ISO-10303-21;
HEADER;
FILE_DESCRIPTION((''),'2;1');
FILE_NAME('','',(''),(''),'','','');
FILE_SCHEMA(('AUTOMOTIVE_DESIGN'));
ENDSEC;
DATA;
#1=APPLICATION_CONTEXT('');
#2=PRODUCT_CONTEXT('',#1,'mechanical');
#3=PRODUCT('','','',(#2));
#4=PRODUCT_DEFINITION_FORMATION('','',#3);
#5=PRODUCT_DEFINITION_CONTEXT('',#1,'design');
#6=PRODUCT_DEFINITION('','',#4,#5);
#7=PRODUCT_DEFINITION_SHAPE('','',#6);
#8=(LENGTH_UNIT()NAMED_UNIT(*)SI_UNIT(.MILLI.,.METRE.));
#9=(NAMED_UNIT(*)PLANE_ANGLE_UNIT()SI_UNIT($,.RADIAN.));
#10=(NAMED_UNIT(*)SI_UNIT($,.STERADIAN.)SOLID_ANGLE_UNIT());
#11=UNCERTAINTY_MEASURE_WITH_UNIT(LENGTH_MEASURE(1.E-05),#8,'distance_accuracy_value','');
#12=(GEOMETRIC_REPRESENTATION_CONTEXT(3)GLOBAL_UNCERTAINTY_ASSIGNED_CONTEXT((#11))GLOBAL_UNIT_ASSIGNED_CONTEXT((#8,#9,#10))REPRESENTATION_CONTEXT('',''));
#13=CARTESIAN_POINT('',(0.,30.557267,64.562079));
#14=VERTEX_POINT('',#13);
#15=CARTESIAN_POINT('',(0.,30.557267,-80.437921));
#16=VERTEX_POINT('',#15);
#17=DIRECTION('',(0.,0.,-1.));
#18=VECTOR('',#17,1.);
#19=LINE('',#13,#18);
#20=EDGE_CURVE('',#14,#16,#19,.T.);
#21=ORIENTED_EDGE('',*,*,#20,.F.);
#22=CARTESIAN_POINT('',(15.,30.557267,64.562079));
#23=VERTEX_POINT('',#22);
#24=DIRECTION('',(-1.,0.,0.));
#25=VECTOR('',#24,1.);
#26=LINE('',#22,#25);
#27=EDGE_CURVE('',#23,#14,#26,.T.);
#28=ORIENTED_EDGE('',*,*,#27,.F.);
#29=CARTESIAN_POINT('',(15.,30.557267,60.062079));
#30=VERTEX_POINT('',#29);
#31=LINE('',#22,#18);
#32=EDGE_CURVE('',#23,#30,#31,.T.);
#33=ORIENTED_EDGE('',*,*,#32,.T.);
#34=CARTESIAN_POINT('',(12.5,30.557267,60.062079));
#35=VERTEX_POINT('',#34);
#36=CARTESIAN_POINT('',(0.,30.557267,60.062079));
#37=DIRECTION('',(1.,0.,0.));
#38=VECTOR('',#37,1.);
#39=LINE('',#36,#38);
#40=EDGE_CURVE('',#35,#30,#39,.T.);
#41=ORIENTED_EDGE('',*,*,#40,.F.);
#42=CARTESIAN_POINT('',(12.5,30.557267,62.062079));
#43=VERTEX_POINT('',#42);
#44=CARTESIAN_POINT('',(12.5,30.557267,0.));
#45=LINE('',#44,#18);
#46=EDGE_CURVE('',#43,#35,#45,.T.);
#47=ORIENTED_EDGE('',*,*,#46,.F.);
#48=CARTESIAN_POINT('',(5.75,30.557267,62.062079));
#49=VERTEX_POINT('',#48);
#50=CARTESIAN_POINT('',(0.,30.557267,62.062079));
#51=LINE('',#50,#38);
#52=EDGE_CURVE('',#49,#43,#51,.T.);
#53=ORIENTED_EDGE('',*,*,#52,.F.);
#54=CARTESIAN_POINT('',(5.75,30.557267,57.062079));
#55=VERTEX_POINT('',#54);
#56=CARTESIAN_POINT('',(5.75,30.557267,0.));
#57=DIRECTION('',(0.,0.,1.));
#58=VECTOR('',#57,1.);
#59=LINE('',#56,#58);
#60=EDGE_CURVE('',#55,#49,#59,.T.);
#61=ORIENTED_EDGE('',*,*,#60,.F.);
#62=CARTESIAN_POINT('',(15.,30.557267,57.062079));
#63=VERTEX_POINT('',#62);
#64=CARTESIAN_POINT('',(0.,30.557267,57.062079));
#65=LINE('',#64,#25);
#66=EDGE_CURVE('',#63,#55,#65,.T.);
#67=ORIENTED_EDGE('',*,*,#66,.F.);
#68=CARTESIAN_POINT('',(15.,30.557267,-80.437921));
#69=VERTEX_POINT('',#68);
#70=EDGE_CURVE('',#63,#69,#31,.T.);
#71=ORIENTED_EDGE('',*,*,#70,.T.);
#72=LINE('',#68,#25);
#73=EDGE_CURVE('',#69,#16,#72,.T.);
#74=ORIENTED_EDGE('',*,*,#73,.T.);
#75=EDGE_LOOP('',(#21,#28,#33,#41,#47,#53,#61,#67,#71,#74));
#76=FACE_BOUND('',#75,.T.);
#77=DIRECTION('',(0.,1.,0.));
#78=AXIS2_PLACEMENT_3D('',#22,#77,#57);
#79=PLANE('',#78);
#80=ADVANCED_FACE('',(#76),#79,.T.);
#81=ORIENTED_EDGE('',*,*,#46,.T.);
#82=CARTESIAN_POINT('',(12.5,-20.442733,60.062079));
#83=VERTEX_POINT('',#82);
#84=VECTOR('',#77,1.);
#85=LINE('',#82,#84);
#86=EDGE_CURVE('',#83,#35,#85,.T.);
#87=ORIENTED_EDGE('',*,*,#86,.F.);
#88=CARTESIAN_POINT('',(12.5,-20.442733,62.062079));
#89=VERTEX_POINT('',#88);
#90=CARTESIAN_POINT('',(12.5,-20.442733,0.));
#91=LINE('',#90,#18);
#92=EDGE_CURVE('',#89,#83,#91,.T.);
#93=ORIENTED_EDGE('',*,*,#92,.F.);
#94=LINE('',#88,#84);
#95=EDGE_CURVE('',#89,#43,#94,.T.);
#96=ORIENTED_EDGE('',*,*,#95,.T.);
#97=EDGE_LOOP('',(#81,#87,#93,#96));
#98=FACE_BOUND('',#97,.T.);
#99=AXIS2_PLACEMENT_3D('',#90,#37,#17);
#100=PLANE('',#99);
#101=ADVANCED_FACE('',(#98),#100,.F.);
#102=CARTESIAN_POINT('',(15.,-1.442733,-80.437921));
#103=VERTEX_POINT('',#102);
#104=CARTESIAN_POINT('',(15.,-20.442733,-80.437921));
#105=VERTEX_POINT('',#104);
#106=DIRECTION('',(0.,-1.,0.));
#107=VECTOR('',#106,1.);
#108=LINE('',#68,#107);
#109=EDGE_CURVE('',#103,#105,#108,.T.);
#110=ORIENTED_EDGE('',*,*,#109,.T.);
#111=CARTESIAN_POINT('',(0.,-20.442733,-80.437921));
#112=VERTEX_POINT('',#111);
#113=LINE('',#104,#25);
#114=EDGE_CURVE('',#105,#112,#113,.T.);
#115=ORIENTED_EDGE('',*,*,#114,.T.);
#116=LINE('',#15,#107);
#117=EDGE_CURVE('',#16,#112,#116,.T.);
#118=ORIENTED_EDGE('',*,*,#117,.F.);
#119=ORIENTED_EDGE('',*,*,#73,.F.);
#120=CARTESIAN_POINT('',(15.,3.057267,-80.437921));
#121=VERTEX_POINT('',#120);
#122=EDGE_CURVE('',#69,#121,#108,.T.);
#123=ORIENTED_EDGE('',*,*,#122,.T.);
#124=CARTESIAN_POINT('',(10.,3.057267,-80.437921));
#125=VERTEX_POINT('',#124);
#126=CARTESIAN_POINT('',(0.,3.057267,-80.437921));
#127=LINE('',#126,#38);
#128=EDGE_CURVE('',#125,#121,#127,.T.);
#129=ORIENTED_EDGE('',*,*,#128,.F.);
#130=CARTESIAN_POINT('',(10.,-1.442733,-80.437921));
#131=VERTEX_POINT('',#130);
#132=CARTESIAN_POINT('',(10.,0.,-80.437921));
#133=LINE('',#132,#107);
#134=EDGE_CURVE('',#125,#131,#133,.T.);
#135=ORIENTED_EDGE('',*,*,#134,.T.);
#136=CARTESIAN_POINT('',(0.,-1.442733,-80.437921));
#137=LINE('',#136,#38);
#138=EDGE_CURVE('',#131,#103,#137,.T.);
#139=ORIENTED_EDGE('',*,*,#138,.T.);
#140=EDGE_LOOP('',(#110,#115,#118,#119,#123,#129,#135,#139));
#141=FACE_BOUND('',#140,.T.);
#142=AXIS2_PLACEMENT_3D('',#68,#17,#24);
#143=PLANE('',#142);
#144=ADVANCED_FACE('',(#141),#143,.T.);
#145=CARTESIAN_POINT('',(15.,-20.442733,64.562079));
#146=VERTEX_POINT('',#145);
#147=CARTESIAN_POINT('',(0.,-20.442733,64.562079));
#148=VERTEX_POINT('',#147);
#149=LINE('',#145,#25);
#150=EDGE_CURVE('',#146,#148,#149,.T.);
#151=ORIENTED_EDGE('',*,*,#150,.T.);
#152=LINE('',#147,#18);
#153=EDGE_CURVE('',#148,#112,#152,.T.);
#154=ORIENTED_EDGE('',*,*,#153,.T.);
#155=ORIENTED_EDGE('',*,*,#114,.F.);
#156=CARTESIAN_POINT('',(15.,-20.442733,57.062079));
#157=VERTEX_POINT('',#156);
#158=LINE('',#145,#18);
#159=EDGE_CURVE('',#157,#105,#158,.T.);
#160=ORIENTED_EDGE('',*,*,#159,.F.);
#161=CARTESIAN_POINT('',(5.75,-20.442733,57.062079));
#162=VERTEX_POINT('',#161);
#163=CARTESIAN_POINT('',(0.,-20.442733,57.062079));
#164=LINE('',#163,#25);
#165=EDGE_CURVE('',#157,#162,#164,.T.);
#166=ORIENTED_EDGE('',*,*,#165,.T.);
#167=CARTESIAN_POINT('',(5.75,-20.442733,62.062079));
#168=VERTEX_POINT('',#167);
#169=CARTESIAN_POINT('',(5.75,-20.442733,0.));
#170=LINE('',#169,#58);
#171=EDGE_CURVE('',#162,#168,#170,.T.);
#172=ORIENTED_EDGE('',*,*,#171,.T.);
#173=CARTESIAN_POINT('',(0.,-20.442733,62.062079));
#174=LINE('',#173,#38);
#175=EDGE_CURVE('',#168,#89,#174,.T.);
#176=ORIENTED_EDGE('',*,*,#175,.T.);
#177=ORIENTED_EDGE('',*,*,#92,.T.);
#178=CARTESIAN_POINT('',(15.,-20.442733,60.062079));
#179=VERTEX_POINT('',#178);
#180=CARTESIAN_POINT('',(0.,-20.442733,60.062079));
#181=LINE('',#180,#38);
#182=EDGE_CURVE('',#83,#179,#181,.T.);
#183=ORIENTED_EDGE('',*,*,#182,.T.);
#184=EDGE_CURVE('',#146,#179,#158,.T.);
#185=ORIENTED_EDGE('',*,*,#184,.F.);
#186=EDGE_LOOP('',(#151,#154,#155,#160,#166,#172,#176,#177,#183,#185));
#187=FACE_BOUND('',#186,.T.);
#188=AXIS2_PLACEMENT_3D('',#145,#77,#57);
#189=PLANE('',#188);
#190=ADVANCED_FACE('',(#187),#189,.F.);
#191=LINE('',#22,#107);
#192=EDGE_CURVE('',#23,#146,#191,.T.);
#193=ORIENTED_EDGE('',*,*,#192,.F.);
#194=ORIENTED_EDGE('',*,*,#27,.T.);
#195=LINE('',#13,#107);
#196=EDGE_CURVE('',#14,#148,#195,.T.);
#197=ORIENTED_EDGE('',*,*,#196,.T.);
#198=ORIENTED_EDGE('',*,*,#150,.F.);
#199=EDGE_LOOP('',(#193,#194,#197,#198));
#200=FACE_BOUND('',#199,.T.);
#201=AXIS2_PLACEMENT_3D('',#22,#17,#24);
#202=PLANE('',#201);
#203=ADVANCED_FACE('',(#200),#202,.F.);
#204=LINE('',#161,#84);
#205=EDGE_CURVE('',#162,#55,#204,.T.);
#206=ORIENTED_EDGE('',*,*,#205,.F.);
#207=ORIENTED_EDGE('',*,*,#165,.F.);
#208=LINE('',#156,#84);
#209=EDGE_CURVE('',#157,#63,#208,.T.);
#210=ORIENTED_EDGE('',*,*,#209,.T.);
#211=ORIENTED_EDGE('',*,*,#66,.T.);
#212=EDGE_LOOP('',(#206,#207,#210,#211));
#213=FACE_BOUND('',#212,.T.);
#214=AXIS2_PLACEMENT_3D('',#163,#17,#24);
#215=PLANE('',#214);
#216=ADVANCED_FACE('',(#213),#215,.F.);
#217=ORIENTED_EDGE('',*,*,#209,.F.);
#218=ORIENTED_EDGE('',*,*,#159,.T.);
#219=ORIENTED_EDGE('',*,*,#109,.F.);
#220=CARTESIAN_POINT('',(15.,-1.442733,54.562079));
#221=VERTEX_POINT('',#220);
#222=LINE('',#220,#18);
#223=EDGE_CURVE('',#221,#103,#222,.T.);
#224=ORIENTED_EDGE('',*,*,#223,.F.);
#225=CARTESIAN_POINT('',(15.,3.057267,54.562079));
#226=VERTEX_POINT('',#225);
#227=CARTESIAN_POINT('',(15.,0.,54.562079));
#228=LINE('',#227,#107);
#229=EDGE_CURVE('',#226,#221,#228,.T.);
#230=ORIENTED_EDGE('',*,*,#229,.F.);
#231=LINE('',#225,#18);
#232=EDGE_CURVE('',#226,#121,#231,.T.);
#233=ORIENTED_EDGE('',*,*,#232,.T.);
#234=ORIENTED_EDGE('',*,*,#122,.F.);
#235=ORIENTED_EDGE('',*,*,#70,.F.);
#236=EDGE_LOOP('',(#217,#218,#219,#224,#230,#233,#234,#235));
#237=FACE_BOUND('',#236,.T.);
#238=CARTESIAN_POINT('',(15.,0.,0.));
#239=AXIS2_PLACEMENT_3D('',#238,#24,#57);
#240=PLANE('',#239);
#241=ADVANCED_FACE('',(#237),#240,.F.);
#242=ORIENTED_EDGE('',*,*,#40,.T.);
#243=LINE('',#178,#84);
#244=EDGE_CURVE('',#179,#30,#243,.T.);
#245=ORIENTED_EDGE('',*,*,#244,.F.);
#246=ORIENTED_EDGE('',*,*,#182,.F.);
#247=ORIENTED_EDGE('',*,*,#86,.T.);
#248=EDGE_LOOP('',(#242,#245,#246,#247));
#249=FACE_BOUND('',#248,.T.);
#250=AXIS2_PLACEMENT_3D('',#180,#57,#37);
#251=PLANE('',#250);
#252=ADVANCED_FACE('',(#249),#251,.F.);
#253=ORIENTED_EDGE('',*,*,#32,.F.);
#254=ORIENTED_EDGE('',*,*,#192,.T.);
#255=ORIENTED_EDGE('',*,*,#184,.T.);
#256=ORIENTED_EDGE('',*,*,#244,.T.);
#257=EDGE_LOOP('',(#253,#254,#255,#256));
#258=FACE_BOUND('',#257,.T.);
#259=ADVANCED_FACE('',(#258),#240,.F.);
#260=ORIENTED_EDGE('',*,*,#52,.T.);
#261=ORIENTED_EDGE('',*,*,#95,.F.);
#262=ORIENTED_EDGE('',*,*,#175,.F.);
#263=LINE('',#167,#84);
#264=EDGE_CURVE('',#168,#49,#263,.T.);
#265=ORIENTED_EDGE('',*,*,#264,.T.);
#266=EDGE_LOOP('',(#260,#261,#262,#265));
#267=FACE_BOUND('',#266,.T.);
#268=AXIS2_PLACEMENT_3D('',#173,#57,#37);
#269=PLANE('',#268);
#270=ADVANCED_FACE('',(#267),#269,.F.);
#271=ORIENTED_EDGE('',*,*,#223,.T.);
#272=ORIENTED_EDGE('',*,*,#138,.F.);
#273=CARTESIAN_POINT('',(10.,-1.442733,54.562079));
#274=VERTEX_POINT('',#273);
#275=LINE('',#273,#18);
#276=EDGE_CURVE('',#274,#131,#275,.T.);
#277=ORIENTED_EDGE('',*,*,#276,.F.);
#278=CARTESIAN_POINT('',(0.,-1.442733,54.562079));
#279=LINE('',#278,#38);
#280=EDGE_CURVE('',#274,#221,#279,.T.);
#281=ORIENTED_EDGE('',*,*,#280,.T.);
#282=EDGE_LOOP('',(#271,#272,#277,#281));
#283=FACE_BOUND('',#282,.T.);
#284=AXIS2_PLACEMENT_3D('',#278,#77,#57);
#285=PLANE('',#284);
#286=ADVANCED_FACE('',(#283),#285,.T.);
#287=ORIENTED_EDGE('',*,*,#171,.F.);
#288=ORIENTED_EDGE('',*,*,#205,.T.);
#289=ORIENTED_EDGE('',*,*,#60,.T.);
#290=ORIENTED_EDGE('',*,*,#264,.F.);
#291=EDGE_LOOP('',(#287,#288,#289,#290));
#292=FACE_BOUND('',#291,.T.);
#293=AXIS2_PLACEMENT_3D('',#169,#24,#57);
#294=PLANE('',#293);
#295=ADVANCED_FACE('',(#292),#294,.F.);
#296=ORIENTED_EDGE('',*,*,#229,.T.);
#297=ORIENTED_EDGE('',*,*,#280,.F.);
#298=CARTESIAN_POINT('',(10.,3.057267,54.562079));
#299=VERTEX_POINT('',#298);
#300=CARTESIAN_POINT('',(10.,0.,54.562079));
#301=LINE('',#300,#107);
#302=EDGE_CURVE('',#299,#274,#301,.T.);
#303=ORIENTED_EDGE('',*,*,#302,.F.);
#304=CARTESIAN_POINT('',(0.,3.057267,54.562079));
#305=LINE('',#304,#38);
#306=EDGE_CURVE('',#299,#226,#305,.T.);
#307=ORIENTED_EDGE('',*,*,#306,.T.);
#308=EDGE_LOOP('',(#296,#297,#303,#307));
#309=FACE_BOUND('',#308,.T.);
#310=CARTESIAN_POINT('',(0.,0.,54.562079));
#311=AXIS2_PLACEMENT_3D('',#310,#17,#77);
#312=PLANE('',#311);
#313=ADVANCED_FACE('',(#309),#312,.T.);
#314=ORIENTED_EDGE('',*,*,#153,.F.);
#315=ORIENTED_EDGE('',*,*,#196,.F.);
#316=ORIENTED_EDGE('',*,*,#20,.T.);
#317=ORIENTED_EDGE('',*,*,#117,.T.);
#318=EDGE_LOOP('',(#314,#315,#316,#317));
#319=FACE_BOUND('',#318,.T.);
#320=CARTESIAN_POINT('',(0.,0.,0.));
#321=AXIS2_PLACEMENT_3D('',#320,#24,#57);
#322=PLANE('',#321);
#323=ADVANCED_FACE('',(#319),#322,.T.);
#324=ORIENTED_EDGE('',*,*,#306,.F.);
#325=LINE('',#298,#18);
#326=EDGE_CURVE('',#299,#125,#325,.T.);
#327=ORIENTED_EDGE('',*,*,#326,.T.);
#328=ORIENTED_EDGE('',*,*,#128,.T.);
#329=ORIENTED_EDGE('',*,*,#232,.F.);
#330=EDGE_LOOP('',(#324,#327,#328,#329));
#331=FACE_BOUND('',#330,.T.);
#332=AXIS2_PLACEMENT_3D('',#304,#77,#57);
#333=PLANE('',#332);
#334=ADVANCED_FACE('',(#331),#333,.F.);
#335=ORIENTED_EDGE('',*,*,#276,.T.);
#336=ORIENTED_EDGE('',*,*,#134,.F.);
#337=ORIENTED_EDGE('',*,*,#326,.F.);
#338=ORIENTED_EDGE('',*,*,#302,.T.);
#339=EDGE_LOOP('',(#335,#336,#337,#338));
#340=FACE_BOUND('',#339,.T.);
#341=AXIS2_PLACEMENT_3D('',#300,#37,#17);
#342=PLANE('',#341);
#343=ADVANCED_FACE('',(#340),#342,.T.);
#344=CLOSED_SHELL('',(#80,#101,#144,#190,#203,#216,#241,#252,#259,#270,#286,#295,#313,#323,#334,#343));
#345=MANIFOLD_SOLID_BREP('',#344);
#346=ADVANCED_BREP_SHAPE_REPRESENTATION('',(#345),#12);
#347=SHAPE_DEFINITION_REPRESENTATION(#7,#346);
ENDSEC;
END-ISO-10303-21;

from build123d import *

# Parameters (mm, degrees)
SKETCH1_W           = 145
SKETCH1_H           = 51
BOSS_EXTRUDE1_DEPTH = 15
CUT_EXTRUDE3_DEPTH  = 52
SKETCH7_W           = 5
SKETCH7_H           = 4.5
CUT_EXTRUDE5_DEPTH  = 135


with BuildPart() as part:
    # Sketch1 → Boss-Extrude1 (new body)
    with BuildSketch(Plane(origin=(0, 0, 0), x_dir=(0, 0, -1), z_dir=(1, 0, 0))):
        with Locations((7.937921078, 5.057266603)):
            Rectangle(SKETCH1_W, SKETCH1_H)
    extrude(amount=BOSS_EXTRUDE1_DEPTH)

    # Sketch6 → Cut-Extrude3 (cut, through all)
    with BuildSketch(Plane(origin=(0, 30.557266603, 0), x_dir=(1, 0, 0), z_dir=(0, 1, 0))):
        Polygon((12.5, -60.062078922), (15, -60.062078922), (15, -57.062078922), (12.5, -57.062078922), (5.75, -57.062078922), (5.75, -62.062078922), (12.5, -62.062078922), align=None)
    extrude(amount=-CUT_EXTRUDE3_DEPTH, mode=Mode.SUBTRACT)

    # Sketch7 → Cut-Extrude5 (cut)
    with BuildSketch(Plane(origin=(0, 0, -80.437921078), x_dir=(-1, 0, 0), z_dir=(0, 0, -1))):
        with Locations((-12.5, 0.807266603)):
            Rectangle(SKETCH7_W, SKETCH7_H)
    extrude(amount=-CUT_EXTRUDE5_DEPTH, mode=Mode.SUBTRACT)


solid = part.part
